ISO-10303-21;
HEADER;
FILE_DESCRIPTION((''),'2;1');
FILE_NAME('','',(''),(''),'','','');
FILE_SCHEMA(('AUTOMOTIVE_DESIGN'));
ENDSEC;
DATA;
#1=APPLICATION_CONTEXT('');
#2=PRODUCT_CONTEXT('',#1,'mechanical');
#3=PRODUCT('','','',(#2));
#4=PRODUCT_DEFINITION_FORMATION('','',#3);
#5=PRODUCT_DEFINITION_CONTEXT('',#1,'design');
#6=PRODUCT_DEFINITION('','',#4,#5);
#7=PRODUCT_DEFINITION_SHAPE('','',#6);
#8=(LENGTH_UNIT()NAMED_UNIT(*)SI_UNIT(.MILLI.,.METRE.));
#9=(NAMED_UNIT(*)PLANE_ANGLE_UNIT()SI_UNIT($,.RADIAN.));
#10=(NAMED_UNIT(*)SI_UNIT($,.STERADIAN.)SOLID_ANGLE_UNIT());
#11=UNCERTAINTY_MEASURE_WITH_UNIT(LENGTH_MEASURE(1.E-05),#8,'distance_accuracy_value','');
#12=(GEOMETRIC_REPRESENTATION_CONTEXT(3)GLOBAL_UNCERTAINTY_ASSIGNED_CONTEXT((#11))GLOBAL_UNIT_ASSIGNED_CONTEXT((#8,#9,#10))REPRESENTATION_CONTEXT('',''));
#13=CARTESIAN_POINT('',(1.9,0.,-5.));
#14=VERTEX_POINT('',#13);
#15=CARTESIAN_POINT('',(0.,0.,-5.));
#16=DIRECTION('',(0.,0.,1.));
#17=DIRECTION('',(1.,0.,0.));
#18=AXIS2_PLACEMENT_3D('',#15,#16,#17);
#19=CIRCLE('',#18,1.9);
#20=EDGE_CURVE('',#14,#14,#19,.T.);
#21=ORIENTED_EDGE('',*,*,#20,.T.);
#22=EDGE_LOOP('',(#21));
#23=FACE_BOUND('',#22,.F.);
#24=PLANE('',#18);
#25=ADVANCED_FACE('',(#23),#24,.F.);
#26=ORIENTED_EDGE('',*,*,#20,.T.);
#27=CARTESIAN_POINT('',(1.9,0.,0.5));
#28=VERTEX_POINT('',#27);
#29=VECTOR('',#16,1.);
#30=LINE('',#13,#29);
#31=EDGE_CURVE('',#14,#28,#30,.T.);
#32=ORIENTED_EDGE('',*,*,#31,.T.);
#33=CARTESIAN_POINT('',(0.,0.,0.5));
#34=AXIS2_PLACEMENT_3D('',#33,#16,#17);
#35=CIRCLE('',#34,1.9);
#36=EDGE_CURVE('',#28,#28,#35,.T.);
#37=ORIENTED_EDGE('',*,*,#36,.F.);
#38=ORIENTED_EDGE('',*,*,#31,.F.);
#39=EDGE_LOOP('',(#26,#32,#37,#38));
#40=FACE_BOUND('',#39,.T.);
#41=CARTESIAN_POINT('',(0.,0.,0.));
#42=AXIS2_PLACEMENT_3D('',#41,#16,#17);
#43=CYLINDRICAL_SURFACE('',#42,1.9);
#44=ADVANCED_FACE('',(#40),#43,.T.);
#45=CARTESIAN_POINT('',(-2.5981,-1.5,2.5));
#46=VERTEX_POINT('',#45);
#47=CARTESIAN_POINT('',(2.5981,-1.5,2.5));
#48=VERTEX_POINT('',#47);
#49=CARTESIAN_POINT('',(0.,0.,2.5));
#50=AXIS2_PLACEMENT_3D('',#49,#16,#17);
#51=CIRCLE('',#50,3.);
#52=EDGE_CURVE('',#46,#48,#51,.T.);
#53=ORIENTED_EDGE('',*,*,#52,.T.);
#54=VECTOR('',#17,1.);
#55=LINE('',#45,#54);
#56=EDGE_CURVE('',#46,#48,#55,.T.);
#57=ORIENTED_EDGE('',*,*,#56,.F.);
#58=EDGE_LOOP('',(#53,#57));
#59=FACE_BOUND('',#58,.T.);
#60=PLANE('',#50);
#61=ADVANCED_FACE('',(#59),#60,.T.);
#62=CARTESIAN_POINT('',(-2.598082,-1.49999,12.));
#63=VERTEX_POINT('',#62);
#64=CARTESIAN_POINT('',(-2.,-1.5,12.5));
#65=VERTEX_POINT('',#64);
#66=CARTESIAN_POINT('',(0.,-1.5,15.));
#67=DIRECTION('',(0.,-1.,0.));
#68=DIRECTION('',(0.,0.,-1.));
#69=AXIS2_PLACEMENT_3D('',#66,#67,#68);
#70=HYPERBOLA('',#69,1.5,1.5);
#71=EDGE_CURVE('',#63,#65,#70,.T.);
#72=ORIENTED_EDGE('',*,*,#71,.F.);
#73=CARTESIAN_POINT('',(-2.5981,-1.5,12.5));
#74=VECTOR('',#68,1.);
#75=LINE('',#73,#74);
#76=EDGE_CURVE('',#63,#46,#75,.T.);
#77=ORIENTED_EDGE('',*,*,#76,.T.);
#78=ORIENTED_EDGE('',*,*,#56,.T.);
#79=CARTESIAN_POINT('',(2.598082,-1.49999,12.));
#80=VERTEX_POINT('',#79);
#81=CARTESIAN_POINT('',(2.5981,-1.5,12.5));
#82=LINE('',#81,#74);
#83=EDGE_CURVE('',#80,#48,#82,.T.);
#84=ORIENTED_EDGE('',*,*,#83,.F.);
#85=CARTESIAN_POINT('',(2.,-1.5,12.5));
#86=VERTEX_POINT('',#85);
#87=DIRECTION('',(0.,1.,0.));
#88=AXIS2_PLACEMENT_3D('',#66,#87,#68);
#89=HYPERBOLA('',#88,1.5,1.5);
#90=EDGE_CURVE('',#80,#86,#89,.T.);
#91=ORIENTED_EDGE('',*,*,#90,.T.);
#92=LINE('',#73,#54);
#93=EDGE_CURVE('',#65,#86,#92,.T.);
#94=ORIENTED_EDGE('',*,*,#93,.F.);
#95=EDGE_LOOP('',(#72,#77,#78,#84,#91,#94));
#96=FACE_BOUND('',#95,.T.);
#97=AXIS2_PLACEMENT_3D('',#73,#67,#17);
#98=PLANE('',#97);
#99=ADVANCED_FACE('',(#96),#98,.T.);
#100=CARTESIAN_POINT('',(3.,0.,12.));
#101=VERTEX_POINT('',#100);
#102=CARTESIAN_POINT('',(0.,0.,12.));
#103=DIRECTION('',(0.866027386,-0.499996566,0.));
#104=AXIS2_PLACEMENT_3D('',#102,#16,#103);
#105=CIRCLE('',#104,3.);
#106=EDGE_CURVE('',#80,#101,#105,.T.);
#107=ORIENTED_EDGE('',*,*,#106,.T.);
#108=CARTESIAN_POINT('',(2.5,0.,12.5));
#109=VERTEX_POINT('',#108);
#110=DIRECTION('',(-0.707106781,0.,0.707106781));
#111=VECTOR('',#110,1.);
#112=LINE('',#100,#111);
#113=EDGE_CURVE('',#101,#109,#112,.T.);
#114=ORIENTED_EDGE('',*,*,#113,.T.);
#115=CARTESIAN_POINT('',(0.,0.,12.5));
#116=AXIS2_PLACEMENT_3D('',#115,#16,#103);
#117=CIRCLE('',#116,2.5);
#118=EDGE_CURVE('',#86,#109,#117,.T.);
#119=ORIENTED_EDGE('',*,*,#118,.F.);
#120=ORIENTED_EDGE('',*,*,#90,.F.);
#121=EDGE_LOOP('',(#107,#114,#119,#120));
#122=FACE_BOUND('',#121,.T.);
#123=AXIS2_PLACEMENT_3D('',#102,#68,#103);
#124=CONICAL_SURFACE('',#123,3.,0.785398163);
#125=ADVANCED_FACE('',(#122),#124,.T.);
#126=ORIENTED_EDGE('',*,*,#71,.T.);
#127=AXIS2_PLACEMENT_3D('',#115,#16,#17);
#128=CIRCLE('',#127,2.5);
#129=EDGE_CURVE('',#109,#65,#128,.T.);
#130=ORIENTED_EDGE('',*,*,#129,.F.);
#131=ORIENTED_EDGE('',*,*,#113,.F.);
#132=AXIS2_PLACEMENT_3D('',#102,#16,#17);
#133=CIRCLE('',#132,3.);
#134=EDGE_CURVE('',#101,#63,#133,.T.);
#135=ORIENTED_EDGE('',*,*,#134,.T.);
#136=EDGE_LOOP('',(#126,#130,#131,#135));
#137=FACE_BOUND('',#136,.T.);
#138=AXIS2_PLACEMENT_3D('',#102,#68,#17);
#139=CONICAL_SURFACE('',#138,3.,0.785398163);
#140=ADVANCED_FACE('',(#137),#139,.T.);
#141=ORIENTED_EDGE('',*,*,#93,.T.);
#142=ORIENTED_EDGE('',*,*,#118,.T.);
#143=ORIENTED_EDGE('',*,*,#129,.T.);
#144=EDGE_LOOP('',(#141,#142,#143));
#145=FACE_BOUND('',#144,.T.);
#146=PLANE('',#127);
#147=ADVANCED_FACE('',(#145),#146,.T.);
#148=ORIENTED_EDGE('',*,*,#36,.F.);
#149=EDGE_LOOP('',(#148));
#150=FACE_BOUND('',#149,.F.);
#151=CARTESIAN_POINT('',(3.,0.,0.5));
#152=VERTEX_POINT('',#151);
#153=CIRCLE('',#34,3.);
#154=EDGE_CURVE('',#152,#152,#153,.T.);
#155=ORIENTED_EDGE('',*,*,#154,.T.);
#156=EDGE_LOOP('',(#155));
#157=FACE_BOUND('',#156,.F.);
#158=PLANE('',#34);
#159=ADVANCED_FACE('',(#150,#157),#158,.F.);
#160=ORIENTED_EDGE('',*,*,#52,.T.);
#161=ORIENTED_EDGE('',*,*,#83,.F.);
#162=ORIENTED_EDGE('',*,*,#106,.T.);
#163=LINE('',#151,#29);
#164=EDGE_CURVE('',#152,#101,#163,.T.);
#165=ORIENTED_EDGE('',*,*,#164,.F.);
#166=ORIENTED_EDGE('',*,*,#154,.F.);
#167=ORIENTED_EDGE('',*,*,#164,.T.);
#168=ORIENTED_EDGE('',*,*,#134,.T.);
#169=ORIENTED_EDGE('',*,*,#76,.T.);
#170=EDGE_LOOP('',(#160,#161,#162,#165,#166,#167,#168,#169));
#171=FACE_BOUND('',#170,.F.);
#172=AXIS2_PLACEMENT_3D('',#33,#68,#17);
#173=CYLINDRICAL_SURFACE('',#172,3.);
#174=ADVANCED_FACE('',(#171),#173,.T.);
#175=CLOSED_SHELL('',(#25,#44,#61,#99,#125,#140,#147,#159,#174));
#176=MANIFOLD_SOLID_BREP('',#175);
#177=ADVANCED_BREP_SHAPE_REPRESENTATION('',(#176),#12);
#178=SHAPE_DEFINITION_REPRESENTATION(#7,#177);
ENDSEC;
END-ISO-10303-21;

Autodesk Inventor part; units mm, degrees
ref_plane "YZ Plane" through (0, 0, 0) normal (1, 0, 0) x (0, 1, 0)
ref_plane "XZ Plane" through (0, 0, 0) normal (0, 1, 0) x (-1, 0, 0)
ref_plane "XY Plane" through (0, 0, 0) normal (0, 0, 1) x (1, 0, 0)
sketch "Sketch1" plane through (0, 0, 0) normal (0, 0, 1) x (1, 0, 0)
  circle A0 centre (0, 0) radius 2 projected
  circle A1 centre (0, 0) radius 3.5 projected
  circle A2 centre (0, 0) radius 1.9
  dimension "d0" = 3.8
extrude "Extrusion1" add sketch "Sketch1" against normal blind 5 and the other way blind 0.5 contours A2
sketch "Sketch2" plane through (0, 0, 0.5) normal (0, 0, 1) x (1, 0, 0)
  circle A0 centre (0, 0) radius 1.9 projected
  circle A1 centre (0, 0) radius 3
  dimension "d3" = 6
extrude "Extrusion2" add sketch "Sketch2" along normal blind 12 contours A0 | A1
sketch "Sketch3" plane through (0, 0, 12.5) normal (0, 0, 1) x (1, 0, 0)
  circle A0 centre (0, 0) radius 3 projected
  line L0 (-2.5981, -1.5) -> (2.5981, -1.5)
  dimension "d8" = 4.5
extrude "Extrusion3" cut sketch "Sketch3" against normal blind 10 contours L0 A0 picked at (-0.7274, -1.6862)
chamfer "Chamfer1" distance 0.5 angle 45 2 edges at (2.8978, -0.7765, 12.5) (-0.7765, 2.8978, 12.5)
properties part number "12mm Incremental Encoder Shaft"
